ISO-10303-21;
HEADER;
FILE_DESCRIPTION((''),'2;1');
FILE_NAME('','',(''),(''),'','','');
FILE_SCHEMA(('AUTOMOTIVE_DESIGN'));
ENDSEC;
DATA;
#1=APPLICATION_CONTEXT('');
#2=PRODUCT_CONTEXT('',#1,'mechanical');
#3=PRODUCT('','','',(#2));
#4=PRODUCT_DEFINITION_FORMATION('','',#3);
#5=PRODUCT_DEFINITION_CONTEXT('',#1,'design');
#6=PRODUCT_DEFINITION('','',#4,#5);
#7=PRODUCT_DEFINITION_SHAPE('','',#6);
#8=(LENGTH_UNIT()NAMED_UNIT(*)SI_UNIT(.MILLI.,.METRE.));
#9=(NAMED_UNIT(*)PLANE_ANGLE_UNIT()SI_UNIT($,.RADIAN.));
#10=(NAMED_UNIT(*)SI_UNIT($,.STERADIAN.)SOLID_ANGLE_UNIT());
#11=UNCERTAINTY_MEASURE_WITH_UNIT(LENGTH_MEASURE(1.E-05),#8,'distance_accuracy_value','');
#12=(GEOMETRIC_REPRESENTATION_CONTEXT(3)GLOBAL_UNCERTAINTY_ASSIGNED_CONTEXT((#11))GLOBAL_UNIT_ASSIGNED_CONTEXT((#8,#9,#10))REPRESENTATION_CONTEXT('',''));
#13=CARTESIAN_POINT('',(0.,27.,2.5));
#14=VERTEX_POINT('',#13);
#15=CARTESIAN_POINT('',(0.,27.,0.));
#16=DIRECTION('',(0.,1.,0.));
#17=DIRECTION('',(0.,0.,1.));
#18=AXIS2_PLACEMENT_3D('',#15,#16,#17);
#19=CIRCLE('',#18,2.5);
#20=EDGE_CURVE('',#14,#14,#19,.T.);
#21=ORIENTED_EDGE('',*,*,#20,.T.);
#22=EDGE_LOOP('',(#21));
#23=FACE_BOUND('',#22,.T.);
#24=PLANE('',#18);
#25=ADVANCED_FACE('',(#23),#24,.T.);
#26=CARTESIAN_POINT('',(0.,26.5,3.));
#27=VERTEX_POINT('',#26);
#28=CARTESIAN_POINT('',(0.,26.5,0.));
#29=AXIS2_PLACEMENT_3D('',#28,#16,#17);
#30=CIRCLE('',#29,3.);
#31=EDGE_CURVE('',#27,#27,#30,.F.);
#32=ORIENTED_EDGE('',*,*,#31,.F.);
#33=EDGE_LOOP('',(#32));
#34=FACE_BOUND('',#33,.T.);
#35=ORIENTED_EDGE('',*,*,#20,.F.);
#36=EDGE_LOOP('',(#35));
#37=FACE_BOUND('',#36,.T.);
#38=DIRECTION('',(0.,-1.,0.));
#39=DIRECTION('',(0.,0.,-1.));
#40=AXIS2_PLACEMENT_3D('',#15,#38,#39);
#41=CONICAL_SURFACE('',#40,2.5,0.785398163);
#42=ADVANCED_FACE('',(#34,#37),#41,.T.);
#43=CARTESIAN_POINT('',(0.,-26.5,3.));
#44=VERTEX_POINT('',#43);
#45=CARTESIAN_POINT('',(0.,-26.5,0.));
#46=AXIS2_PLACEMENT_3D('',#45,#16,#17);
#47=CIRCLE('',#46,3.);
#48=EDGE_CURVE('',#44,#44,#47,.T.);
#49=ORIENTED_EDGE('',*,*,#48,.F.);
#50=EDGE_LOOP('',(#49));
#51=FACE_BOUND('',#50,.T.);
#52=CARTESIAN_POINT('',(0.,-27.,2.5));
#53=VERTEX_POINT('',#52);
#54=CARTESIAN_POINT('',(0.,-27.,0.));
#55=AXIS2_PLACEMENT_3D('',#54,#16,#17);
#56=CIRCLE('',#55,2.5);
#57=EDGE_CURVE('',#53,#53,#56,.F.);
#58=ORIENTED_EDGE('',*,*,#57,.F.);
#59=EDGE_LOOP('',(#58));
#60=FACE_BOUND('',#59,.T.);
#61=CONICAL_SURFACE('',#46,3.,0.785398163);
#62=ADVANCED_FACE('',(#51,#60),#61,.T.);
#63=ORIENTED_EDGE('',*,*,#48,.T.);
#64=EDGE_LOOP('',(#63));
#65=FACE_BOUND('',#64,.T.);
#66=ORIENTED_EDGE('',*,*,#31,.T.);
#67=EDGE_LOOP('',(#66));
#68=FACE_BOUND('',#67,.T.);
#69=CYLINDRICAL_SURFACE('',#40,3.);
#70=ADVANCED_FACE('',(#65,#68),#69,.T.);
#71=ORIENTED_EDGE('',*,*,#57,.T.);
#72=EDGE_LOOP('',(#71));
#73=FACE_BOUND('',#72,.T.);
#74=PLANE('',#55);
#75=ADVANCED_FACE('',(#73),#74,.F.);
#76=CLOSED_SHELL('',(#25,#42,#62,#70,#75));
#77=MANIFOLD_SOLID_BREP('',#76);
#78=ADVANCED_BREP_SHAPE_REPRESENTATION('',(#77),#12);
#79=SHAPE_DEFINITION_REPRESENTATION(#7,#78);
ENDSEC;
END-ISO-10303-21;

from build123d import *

# Parameters (mm, degrees)
ESBO_O2_R                = 3
RESSALTO_EXTRUS_O1_DEPTH = 27
CHANFRO1_SIZE            = 0.5


with BuildPart() as part:
    # Esboço2 → Ressalto-extrusão1 (new body, symmetric)
    with BuildSketch(Plane(origin=(0, 0, 0), x_dir=(1, 0, 0), z_dir=(0, 1, 0))):
        Circle(ESBO_O2_R)
    extrude(amount=RESSALTO_EXTRUS_O1_DEPTH, both=True)

    # Chanfro1
    chanfro1_edges = [part.edges().sort_by_distance(p)[0] for p in [
        (-3, -27, 0),
        (-3, 27, 0),
    ]]
    chamfer(chanfro1_edges, length=CHANFRO1_SIZE)


solid = part.part
